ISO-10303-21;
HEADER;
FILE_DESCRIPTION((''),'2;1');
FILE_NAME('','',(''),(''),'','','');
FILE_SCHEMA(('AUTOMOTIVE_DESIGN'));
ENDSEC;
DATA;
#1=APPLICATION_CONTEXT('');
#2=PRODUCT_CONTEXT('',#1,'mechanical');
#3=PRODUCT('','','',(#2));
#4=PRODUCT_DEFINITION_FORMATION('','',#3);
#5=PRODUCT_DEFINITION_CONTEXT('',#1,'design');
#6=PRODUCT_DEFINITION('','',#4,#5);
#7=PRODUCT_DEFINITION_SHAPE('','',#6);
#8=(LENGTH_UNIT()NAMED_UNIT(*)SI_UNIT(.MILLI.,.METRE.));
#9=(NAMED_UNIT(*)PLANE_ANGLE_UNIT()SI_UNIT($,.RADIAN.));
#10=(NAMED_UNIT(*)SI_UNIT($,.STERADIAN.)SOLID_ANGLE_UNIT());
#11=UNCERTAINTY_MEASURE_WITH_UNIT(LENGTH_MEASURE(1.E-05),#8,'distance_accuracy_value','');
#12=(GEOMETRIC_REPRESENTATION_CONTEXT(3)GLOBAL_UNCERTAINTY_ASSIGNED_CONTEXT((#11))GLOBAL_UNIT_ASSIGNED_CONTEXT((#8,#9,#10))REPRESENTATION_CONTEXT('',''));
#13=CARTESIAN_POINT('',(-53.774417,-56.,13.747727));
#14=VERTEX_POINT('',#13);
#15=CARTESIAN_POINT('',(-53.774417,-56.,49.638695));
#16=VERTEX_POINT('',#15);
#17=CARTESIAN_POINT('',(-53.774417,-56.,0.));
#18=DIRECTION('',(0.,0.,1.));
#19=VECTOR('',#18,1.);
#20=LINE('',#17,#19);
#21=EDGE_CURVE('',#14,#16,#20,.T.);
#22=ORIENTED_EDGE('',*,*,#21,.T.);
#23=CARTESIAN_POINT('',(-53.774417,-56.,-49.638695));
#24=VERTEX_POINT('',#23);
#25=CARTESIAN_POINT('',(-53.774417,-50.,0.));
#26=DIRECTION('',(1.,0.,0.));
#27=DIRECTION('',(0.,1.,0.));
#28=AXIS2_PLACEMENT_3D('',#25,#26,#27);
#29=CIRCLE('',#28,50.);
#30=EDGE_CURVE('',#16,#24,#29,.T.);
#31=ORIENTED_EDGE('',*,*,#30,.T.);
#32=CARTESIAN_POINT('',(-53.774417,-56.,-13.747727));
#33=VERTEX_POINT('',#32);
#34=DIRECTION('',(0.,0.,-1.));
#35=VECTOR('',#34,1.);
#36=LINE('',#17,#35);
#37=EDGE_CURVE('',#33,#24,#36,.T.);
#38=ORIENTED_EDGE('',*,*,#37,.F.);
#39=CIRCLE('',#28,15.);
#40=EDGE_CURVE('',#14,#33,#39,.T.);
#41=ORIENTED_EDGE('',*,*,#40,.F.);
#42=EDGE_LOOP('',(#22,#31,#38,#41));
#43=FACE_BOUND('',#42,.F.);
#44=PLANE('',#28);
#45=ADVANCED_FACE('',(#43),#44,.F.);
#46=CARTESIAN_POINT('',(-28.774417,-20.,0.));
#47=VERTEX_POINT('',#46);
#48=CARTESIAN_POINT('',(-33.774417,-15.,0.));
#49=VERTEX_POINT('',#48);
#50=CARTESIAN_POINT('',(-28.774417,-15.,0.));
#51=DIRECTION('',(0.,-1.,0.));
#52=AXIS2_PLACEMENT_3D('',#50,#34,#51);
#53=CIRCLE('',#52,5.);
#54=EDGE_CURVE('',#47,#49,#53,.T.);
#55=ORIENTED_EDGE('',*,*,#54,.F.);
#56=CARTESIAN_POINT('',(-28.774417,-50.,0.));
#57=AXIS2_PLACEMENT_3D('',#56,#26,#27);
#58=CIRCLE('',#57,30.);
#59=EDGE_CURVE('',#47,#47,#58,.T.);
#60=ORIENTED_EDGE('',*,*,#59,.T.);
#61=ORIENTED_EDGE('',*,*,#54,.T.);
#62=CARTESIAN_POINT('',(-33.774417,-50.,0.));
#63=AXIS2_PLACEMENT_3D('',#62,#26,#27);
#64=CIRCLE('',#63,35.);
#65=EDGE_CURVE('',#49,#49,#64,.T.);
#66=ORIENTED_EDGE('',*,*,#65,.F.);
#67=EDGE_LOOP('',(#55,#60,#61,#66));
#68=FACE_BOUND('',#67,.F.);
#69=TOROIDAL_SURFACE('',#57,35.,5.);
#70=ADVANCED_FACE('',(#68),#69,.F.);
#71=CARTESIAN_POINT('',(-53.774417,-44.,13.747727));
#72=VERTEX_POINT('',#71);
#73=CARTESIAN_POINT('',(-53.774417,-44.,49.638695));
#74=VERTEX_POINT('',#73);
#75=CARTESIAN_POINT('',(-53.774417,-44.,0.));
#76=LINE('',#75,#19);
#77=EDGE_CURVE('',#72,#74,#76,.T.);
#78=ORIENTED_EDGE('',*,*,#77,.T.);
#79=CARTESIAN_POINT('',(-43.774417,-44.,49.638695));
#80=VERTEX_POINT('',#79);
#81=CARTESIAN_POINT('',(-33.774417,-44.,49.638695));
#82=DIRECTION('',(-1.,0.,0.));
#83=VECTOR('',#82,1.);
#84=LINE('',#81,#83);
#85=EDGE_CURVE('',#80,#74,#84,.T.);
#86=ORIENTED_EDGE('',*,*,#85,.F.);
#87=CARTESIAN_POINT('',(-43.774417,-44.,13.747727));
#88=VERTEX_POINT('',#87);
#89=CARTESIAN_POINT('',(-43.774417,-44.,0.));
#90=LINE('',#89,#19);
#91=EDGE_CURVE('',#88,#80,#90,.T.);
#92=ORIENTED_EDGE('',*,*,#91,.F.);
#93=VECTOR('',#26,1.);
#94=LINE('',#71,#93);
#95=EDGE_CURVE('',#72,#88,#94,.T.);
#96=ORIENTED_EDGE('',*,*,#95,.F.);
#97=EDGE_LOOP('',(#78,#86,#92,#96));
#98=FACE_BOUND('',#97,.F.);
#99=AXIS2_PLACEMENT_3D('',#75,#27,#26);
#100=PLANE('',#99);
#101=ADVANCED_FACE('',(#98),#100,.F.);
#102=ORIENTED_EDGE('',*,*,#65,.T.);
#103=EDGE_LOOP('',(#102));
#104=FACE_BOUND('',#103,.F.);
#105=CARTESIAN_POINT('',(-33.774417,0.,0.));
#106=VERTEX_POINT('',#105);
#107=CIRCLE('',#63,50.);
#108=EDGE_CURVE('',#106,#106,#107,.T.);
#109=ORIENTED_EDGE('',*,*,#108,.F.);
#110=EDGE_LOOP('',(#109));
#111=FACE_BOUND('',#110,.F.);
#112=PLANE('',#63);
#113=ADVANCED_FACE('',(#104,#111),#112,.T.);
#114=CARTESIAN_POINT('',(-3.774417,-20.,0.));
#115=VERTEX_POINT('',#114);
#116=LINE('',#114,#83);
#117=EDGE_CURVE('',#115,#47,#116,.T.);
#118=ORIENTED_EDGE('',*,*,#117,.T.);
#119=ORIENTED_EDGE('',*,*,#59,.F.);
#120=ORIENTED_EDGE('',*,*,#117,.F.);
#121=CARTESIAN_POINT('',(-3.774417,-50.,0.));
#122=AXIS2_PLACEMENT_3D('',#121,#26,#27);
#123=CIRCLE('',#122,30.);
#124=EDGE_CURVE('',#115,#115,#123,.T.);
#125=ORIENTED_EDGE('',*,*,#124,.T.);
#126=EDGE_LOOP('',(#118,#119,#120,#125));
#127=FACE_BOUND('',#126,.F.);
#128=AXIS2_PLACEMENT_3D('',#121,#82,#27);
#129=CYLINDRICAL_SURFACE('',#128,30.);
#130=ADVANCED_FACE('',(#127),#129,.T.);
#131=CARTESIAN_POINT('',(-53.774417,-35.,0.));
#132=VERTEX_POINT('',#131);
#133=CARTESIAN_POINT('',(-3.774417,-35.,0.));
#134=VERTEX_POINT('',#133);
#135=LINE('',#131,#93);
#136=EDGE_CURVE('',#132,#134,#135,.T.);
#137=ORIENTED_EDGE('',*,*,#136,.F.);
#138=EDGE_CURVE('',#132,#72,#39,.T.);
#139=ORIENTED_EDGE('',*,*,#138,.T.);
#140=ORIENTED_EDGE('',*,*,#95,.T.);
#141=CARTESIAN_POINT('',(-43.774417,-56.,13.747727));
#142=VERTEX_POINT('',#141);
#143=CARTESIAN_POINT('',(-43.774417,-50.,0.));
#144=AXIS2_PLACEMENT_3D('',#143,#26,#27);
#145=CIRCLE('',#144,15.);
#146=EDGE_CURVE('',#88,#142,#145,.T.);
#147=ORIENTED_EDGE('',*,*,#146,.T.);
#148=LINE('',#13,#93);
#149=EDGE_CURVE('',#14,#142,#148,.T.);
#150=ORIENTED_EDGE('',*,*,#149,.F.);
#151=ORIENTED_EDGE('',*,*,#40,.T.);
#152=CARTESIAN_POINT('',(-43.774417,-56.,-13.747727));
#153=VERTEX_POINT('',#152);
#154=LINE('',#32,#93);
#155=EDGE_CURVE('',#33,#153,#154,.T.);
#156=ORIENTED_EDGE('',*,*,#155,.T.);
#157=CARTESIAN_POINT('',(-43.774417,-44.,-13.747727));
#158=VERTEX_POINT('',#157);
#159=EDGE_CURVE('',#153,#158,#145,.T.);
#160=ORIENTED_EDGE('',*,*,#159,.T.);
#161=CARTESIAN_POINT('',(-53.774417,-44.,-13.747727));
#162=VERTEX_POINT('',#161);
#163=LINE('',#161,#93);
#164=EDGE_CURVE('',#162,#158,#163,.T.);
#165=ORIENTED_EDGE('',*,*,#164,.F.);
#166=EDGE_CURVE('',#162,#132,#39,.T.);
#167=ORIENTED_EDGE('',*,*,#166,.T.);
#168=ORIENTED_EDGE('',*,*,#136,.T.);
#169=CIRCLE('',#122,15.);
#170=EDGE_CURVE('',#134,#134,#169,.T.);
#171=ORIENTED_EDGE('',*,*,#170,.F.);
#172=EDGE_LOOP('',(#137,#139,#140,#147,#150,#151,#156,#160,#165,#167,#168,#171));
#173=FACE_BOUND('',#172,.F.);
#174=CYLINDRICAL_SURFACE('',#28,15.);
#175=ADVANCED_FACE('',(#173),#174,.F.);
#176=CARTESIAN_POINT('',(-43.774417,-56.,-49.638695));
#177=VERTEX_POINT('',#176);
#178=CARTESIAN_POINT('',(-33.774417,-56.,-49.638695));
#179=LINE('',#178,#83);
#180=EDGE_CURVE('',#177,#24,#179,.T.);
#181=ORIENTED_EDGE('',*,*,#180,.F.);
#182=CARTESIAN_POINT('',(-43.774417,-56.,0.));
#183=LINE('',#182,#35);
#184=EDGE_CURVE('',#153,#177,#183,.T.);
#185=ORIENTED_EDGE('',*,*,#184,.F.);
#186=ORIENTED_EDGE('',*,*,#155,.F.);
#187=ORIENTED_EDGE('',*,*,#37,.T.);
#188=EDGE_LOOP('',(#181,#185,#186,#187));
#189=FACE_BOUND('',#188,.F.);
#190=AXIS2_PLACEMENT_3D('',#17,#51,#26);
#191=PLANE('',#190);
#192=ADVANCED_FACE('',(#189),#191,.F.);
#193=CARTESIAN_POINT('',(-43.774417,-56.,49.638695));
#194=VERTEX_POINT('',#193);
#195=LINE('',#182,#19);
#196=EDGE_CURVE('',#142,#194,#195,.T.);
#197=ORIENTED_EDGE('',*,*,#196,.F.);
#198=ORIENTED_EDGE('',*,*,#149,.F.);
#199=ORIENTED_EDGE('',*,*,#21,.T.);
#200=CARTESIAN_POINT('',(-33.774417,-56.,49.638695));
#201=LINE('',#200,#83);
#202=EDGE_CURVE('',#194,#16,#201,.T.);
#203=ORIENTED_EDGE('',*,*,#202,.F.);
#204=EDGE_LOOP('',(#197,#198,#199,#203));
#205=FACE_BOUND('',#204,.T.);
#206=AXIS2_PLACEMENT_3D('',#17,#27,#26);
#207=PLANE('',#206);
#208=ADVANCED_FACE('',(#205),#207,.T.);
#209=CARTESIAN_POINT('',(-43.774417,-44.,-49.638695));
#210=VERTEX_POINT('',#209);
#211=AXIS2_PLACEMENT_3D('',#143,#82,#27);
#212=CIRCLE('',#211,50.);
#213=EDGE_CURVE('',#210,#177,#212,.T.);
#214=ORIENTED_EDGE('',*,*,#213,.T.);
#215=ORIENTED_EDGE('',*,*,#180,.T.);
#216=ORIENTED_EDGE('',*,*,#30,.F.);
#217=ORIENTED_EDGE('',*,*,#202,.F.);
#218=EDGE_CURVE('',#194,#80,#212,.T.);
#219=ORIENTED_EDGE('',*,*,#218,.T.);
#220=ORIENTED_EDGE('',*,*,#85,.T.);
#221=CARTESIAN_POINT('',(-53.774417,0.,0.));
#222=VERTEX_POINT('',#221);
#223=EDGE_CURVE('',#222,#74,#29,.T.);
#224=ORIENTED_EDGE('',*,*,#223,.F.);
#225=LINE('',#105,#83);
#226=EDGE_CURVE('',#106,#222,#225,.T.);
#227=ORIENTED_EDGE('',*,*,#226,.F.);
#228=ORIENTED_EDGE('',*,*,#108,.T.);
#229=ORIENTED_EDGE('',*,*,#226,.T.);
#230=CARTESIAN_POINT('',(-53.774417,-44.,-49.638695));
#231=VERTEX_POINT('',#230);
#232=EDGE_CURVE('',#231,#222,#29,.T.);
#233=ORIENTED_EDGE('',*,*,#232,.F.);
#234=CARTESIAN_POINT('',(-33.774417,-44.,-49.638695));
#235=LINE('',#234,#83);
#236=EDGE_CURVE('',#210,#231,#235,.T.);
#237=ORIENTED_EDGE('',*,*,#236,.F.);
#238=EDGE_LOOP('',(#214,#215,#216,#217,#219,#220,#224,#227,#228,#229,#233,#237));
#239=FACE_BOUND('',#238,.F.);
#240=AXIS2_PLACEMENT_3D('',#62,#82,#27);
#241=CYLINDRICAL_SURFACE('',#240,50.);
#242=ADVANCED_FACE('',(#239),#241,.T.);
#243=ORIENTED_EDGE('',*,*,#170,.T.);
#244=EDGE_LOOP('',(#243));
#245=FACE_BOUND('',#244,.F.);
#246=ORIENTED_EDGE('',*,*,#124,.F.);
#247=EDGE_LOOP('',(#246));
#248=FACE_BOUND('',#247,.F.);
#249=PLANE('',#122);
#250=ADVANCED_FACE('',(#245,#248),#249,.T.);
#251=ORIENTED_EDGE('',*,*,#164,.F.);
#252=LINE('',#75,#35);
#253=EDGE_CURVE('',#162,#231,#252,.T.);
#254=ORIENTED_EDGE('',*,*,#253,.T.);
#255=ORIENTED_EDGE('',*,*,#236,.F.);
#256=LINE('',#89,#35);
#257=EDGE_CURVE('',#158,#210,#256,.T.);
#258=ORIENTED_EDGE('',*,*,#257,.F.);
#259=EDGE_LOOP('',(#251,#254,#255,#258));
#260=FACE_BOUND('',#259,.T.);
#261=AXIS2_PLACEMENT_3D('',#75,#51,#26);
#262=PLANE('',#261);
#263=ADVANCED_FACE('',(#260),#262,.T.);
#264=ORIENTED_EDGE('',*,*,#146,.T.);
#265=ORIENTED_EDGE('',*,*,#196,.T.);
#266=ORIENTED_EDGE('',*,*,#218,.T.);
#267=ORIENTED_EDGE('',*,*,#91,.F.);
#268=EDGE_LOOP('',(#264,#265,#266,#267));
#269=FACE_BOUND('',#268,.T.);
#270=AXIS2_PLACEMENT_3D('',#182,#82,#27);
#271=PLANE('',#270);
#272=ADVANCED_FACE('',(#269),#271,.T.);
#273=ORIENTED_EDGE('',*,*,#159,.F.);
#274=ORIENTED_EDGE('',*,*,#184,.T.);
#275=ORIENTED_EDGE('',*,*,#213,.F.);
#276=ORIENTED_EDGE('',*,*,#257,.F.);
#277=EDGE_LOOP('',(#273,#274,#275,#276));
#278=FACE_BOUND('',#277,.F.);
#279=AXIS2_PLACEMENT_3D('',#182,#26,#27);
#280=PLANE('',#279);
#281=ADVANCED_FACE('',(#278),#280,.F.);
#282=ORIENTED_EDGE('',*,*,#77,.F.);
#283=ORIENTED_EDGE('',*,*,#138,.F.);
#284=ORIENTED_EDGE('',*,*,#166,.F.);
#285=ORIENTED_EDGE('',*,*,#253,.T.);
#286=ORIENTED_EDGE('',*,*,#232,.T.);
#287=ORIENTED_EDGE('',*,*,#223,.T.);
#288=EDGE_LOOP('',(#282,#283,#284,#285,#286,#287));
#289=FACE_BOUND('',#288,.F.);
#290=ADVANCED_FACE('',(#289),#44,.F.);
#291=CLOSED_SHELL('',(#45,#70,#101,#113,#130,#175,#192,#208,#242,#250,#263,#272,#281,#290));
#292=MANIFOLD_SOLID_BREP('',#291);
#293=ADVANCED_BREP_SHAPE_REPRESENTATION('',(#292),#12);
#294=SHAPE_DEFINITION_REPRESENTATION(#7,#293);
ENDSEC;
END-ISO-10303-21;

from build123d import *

# Parameters (mm, degrees)
F0_W          = 10
F0_H          = 6
F2_DEPTH      = 50.001
F2_DEPTH_BACK = 50.001


with BuildPart() as f1:
    # F0 (on Top) → F1 (revolve)
    with BuildSketch(Plane.XY):
        with BuildLine():
            Line((-33.7744166376, 0), (-53.7744166376, 0))
            Line((-53.7744166376, 0), (-53.7744166376, -35))
            Line((-53.7744166376, -35), (-3.7744166376, -35))
            Line((-3.7744166376, -35), (-3.7744166376, -20))
            Line((-3.7744166376, -20), (-28.7744166376, -20))
            ThreePointArc((-28.7744166376, -20), (-32.3099505436, -18.5355339059), (-33.7744166376, -15))
            Line((-33.7744166376, -15), (-33.7744166376, 0))
        make_face()
    revolve(axis=Axis((-3.7744166376, -50, 0), (1, 0, 0)))

    # F0 (on Top) → F2 (cut, two sides)
    with BuildSketch(Plane.XY) as f2_sk:
        with Locations((-48.7744166376, -53)):
            Rectangle(F0_W, F0_H)
        with Locations((-48.7744166376, -47)):
            Rectangle(F0_W, F0_H)
    extrude(amount=-F2_DEPTH, mode=Mode.SUBTRACT)
    extrude(f2_sk.sketch, amount=F2_DEPTH_BACK, mode=Mode.SUBTRACT)


solid = f1.part
